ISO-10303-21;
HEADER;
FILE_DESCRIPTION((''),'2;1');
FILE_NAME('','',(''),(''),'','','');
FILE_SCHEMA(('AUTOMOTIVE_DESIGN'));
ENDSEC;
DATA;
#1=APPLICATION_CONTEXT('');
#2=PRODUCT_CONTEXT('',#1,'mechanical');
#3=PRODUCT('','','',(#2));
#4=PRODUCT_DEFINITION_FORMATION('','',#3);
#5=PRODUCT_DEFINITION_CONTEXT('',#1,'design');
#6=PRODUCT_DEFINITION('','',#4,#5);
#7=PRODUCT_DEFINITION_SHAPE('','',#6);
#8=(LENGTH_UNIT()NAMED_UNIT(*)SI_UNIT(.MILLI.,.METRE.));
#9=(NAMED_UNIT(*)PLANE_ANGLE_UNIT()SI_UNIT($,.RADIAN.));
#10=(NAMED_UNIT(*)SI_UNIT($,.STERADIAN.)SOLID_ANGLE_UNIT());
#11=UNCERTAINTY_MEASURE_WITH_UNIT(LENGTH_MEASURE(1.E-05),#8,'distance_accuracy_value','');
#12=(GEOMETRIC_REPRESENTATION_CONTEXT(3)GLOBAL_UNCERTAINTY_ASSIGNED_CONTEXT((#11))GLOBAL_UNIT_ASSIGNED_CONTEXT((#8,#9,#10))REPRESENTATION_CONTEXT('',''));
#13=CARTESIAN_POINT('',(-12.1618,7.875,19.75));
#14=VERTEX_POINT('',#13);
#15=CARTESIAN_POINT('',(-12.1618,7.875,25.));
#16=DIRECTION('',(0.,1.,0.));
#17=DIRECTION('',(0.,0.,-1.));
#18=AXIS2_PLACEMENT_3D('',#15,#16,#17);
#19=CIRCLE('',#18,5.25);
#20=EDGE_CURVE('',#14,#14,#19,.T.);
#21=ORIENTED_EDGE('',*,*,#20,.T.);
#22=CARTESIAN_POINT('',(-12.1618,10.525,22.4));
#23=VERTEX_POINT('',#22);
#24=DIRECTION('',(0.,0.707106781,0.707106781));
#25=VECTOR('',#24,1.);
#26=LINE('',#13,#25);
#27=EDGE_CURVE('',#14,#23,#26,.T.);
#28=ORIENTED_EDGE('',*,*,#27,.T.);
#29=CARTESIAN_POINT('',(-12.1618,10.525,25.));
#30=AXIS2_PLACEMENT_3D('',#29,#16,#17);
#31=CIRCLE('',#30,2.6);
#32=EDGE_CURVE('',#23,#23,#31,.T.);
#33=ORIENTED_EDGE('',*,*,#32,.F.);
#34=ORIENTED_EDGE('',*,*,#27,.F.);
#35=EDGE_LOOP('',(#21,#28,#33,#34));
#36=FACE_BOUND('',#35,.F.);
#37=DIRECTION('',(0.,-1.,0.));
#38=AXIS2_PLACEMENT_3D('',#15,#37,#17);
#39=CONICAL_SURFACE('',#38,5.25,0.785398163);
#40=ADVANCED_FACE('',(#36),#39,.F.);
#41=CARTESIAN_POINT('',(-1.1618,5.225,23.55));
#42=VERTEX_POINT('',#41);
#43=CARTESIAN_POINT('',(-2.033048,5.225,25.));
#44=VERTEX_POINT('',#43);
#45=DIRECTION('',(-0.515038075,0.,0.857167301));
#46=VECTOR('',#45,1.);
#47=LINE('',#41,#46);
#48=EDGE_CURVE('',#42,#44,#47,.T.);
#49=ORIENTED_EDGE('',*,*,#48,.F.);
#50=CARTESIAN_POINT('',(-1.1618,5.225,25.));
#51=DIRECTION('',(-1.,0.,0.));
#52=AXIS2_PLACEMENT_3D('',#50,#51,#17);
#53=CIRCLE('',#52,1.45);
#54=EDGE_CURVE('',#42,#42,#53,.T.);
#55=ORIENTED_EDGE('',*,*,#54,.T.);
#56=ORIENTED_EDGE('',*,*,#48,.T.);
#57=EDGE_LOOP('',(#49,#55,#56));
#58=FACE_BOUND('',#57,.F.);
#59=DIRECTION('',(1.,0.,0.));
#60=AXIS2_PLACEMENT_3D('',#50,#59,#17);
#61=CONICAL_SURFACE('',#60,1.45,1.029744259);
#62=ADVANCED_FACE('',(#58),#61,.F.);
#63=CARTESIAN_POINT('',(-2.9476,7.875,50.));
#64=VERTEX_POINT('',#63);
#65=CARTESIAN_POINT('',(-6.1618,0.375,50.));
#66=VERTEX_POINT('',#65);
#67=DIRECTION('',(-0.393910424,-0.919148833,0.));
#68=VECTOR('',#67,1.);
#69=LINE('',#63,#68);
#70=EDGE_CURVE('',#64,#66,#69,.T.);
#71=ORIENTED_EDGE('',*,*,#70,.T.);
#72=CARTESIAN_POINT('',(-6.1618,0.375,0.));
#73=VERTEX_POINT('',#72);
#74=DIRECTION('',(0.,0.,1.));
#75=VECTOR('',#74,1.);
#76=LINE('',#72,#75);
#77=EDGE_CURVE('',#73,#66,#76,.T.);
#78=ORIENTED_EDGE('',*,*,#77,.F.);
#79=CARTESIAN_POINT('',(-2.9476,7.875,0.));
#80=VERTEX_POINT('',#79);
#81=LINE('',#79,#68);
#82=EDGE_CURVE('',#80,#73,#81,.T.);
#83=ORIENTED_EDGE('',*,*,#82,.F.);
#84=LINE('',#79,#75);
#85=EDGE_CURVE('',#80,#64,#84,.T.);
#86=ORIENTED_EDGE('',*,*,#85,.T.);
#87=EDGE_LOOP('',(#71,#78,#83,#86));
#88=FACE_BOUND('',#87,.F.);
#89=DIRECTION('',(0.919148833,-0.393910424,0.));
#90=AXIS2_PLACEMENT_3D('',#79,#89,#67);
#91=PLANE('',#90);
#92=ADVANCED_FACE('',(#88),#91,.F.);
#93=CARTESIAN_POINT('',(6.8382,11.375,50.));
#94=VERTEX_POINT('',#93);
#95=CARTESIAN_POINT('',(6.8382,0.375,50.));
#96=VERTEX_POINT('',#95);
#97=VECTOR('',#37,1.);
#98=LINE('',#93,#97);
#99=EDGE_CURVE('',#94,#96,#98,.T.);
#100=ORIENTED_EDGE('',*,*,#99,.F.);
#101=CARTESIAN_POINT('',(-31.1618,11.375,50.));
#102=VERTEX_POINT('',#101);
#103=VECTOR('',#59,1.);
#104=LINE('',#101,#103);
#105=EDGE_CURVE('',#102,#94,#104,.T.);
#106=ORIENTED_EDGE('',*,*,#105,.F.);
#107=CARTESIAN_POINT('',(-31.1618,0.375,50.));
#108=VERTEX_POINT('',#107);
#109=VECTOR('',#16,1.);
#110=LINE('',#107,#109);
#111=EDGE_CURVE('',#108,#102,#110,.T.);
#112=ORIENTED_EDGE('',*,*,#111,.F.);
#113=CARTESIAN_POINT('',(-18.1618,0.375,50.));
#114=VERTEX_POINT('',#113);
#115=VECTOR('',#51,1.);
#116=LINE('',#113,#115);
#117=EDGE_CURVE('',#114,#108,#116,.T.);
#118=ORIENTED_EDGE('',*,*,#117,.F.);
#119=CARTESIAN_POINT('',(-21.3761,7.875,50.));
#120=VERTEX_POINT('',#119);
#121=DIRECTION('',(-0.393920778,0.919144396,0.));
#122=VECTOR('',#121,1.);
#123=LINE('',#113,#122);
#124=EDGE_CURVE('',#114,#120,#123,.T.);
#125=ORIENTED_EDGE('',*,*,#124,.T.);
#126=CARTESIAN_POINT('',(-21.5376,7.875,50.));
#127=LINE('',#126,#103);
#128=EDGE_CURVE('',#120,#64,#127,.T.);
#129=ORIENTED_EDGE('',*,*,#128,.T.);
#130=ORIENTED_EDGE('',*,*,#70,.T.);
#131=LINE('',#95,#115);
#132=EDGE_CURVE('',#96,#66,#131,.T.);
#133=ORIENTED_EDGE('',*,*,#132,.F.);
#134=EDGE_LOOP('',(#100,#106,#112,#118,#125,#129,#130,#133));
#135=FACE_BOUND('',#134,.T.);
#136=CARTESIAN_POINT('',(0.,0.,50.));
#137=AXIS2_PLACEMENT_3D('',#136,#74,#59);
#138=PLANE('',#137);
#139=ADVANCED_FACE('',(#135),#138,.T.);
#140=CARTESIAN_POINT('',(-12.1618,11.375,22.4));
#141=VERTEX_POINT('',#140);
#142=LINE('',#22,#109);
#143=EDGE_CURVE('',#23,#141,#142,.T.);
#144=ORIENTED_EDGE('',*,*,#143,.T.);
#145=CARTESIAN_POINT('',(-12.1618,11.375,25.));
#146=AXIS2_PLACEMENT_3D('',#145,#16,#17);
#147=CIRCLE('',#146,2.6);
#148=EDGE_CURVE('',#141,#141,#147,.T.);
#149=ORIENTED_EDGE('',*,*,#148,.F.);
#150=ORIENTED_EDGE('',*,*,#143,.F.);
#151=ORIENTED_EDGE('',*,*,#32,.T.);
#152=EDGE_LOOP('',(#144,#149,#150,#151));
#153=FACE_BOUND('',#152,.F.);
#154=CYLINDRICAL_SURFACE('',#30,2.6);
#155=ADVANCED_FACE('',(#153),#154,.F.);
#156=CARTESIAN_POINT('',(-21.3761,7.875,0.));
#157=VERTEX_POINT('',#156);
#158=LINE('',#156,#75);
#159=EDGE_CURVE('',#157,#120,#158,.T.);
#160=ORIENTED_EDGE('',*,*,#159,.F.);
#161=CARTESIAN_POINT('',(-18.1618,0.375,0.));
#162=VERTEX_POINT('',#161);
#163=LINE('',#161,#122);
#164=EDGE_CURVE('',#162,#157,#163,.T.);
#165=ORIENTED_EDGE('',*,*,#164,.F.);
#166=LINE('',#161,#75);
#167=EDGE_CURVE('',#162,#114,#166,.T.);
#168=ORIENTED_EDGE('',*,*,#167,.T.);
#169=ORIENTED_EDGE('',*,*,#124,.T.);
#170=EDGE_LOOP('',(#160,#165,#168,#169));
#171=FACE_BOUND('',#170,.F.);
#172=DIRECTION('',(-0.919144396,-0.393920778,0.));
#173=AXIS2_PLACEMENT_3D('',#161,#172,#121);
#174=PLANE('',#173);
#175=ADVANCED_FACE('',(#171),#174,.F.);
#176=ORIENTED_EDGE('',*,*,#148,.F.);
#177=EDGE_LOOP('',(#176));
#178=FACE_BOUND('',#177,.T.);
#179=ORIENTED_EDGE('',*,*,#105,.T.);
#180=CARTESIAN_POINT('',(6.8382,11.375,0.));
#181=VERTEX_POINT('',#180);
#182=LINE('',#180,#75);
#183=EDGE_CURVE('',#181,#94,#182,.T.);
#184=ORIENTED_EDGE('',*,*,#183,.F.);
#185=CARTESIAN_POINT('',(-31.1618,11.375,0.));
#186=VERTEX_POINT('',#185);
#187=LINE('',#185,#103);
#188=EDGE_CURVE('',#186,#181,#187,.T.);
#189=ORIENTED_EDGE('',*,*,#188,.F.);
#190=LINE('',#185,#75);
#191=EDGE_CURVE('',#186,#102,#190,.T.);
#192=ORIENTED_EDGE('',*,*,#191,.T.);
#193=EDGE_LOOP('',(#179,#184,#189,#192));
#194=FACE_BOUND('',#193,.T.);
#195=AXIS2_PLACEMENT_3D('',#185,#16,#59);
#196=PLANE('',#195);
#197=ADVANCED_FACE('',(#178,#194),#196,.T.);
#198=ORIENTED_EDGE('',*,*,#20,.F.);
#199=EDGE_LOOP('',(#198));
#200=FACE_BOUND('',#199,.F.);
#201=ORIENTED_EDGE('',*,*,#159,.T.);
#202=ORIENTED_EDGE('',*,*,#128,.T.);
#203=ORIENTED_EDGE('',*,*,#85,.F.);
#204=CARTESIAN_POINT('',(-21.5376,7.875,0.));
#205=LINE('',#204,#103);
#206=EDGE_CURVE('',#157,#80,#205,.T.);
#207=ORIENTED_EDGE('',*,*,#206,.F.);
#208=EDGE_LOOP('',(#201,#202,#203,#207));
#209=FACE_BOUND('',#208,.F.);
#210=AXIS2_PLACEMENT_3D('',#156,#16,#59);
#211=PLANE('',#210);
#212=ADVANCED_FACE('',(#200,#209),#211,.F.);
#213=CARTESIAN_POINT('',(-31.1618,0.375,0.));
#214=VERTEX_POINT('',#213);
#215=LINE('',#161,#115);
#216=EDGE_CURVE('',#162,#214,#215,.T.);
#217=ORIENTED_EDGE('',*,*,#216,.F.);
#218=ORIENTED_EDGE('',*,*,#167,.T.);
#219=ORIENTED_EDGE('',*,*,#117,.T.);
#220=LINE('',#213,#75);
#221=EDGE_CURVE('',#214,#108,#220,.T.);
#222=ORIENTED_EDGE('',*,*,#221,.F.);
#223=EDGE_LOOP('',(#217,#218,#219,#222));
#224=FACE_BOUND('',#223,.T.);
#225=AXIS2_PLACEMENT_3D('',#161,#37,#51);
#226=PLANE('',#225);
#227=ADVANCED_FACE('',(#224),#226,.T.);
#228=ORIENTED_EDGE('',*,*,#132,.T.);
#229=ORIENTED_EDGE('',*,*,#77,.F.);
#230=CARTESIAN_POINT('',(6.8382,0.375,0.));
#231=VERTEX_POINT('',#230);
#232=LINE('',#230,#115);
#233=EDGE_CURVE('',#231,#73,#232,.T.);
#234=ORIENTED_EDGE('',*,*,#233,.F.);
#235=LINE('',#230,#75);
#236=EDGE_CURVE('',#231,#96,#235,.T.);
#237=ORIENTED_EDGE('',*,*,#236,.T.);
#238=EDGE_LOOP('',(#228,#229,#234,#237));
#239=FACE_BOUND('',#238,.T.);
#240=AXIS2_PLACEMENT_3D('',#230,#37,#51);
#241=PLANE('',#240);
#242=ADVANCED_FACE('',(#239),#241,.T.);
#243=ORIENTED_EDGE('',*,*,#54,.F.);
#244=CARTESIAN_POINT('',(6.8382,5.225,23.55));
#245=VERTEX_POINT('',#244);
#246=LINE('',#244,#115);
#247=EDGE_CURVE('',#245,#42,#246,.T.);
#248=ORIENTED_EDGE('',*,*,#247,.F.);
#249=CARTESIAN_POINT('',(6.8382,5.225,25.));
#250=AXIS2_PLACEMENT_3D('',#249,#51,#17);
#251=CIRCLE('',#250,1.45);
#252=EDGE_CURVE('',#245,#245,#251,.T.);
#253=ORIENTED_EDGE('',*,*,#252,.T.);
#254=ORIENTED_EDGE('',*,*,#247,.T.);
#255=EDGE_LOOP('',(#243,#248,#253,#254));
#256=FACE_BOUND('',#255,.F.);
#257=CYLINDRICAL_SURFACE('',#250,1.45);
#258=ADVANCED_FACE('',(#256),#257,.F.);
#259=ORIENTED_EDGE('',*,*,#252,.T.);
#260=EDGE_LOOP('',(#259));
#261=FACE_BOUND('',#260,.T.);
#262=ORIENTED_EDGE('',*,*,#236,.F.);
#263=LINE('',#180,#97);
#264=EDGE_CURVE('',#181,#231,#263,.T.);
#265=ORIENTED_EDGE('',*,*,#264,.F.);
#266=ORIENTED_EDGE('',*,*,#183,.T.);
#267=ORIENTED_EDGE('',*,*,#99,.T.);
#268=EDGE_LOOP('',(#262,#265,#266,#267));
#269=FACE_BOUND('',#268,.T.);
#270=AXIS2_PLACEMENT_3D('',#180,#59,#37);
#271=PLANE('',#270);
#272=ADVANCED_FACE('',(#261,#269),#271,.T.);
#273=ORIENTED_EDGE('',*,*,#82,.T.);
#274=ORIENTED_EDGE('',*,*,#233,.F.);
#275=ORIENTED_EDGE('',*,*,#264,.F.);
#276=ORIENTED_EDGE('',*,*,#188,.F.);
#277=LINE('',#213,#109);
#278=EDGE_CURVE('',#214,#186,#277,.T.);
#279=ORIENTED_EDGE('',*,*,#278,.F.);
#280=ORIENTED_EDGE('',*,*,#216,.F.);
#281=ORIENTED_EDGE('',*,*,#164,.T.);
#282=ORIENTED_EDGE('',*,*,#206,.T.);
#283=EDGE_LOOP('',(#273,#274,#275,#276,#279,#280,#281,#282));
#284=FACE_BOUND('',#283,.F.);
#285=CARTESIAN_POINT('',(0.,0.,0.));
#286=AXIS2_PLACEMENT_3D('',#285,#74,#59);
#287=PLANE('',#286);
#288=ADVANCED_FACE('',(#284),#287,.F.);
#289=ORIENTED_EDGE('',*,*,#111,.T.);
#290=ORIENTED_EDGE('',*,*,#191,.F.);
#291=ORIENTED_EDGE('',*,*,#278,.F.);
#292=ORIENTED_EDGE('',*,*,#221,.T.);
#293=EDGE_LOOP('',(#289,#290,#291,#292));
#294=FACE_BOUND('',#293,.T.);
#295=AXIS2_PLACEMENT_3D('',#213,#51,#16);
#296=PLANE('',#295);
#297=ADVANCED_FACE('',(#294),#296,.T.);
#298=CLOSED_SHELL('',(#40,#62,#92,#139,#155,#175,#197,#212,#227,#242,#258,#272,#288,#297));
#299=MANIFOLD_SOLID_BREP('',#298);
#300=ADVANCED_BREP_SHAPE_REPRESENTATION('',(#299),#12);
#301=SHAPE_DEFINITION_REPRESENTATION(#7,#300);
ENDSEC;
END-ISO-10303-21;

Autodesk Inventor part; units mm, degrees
ref_plane "YZ Plane" through (0, 0, 0) normal (1, 0, 0) x (0, 1, 0)
ref_plane "XZ Plane" through (0, 0, 0) normal (0, 1, 0) x (-1, 0, 0)
ref_plane "XY Plane" through (0, 0, 0) normal (0, 0, 1) x (1, 0, 0)
sketch "Skizze1" plane through (0, 0, 0) normal (0, 0, 1) x (1, 0, 0)
  line L0 (-18.1618, 0.375) -> (-21.3761, 7.875)
  line L1 (-2.9476, 7.875) -> (-6.1618, 0.375)
  line L2 (-6.1618, 0.375) -> (-18.1618, 0.375)
  line L3 (-18.1618, 0.375) -> (-31.1618, 0.375)
  line L4 (-31.1618, 0.375) -> (-31.1618, 11.375)
  line L5 (-31.1618, 11.375) -> (6.8382, 11.375)
  line L6 (6.8382, 11.375) -> (6.8382, 0.375)
  line L7 (6.8382, 0.375) -> (-6.1618, 0.375)
  line L8 (-21.5376, 7.875) -> (-2.9476, 7.875)
  point P0 (0, 0)
  point P1 (-21.1618, 7.375)
  point P2 (-3.1618, 7.375)
  dimension "d10" = 38
  dimension "d14" = 12
  dimension "d29" = 13
extrude "Extrusion1" add sketch "Skizze1" along normal blind 50 contours L3 L4 L5 L6 L7 L1 L8 L0
sketch "Skizze2" plane through (6.8382, 0.375, 0) normal (1, 0, 0) x (0, 0, -1)
  line L0 (-50, 0) -> (-50, 11) projected
  line L1 (0, 11) -> (-50, 11) projected
  point P0 (0, -0.375)
  point P1 (-25, 4.85)
  dimension "d19" = 6.15
hole "Bohrung1" at (6.8382, 5.225, 25) direction (-1, 0, 0) diameter 2.9 depth 8 tip angle 118
sketch "Skizze3" plane through (-21.3761, 7.875, 0) normal (0, -1, 0) x (1, 0, 0)
  line L0 (0, 50) -> (18.4286, 50) projected
  line L1 (28.2143, 0) -> (28.2143, 50) projected
  point P0 (21.3761, 0)
sketch "Skizze4" plane through (-21.3761, 7.875, 0) normal (0, -1, 0) x (1, 0, 0)
  line L0 (0, 50) -> (18.4286, 50) projected
  line L1 (28.2143, 0) -> (28.2143, 50) projected
  point P0 (21.3761, 0)
  point P1 (9.2143, 25)
  dimension "d30" = 25
  dimension "d31" = 19
hole "Bohrung2" at (-12.1618, 7.875, 25) direction (0, 1, 0) diameter 5.2 end through all countersink diameter 10.5 countersink angle 90
properties part number "Schienenläuderaufsatz-22.11"
